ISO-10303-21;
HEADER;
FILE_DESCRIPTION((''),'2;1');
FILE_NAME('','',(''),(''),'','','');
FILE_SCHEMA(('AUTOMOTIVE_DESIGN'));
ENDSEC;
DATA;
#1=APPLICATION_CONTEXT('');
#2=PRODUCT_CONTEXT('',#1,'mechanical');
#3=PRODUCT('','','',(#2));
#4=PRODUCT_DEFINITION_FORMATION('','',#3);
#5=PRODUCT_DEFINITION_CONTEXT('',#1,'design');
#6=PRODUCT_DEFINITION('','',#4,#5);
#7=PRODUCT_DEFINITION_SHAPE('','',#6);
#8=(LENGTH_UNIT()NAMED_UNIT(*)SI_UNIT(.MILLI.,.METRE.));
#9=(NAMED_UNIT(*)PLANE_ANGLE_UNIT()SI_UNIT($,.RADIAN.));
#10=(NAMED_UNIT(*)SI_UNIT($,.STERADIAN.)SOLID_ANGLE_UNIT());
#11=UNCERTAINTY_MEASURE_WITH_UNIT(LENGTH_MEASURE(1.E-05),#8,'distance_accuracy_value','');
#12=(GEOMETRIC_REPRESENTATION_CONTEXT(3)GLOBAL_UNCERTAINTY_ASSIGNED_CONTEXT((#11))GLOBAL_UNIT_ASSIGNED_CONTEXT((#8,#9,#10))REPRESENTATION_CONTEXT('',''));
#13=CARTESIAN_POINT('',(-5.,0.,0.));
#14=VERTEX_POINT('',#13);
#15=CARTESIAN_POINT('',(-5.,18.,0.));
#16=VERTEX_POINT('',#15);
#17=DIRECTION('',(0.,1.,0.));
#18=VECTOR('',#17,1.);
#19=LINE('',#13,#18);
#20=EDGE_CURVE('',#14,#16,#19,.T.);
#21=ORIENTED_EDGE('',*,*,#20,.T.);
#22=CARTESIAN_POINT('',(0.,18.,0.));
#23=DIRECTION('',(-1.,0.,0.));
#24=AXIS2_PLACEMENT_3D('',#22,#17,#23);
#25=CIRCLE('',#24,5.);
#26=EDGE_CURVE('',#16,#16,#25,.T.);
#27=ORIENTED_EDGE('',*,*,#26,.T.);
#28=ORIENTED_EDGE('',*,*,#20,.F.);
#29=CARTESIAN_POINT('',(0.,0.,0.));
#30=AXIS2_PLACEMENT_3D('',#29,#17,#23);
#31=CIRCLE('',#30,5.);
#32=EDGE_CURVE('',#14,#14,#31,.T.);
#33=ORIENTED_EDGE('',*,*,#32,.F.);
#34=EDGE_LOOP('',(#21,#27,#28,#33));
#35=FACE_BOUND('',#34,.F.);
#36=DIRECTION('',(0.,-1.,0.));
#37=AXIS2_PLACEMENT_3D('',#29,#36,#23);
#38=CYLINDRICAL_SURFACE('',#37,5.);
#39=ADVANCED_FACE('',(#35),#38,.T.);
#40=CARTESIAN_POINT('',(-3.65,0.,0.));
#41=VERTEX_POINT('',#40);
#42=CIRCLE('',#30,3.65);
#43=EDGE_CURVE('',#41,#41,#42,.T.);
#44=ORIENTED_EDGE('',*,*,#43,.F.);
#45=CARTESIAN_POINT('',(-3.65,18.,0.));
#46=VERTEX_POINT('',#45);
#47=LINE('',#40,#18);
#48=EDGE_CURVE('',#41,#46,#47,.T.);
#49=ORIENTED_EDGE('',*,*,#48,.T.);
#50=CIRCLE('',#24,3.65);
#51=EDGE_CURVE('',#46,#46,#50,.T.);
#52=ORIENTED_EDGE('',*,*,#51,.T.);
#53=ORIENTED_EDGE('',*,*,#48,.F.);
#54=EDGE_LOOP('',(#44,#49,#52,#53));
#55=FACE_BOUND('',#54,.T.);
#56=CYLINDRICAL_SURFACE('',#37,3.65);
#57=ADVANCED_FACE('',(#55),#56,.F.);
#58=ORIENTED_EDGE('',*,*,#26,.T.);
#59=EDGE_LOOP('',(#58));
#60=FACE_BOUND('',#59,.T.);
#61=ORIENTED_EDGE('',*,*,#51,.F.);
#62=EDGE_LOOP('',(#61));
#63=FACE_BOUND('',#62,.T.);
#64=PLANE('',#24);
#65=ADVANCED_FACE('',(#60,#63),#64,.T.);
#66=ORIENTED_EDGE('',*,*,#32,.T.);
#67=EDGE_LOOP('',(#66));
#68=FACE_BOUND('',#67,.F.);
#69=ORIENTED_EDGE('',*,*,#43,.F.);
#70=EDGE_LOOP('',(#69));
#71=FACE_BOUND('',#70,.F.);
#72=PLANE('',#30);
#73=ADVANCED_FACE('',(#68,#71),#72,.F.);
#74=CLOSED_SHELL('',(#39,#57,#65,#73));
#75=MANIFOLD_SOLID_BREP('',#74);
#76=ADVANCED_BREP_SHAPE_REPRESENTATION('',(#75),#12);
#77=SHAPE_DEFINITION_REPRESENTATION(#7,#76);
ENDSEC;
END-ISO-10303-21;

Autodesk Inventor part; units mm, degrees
ref_plane "YZ Plane" through (0, 0, 0) normal (1, 0, 0) x (0, 1, 0)
ref_plane "XZ Plane" through (0, 0, 0) normal (0, 1, 0) x (-1, 0, 0)
ref_plane "XY Plane" through (0, 0, 0) normal (0, 0, 1) x (1, 0, 0)
sketch "Sketch1" plane through (0, 0, 0) normal (0, 1, 0) x (-1, 0, 0)
  circle A0 centre (0, 0) radius 3.65
  circle A1 centre (0, 0) radius 5
  dimension "d0" = 7.3
  dimension "d1" = 10
extrude "Extrusion1" add sketch "Sketch1" along normal blind 18
properties part number "Limiter Lifter"
